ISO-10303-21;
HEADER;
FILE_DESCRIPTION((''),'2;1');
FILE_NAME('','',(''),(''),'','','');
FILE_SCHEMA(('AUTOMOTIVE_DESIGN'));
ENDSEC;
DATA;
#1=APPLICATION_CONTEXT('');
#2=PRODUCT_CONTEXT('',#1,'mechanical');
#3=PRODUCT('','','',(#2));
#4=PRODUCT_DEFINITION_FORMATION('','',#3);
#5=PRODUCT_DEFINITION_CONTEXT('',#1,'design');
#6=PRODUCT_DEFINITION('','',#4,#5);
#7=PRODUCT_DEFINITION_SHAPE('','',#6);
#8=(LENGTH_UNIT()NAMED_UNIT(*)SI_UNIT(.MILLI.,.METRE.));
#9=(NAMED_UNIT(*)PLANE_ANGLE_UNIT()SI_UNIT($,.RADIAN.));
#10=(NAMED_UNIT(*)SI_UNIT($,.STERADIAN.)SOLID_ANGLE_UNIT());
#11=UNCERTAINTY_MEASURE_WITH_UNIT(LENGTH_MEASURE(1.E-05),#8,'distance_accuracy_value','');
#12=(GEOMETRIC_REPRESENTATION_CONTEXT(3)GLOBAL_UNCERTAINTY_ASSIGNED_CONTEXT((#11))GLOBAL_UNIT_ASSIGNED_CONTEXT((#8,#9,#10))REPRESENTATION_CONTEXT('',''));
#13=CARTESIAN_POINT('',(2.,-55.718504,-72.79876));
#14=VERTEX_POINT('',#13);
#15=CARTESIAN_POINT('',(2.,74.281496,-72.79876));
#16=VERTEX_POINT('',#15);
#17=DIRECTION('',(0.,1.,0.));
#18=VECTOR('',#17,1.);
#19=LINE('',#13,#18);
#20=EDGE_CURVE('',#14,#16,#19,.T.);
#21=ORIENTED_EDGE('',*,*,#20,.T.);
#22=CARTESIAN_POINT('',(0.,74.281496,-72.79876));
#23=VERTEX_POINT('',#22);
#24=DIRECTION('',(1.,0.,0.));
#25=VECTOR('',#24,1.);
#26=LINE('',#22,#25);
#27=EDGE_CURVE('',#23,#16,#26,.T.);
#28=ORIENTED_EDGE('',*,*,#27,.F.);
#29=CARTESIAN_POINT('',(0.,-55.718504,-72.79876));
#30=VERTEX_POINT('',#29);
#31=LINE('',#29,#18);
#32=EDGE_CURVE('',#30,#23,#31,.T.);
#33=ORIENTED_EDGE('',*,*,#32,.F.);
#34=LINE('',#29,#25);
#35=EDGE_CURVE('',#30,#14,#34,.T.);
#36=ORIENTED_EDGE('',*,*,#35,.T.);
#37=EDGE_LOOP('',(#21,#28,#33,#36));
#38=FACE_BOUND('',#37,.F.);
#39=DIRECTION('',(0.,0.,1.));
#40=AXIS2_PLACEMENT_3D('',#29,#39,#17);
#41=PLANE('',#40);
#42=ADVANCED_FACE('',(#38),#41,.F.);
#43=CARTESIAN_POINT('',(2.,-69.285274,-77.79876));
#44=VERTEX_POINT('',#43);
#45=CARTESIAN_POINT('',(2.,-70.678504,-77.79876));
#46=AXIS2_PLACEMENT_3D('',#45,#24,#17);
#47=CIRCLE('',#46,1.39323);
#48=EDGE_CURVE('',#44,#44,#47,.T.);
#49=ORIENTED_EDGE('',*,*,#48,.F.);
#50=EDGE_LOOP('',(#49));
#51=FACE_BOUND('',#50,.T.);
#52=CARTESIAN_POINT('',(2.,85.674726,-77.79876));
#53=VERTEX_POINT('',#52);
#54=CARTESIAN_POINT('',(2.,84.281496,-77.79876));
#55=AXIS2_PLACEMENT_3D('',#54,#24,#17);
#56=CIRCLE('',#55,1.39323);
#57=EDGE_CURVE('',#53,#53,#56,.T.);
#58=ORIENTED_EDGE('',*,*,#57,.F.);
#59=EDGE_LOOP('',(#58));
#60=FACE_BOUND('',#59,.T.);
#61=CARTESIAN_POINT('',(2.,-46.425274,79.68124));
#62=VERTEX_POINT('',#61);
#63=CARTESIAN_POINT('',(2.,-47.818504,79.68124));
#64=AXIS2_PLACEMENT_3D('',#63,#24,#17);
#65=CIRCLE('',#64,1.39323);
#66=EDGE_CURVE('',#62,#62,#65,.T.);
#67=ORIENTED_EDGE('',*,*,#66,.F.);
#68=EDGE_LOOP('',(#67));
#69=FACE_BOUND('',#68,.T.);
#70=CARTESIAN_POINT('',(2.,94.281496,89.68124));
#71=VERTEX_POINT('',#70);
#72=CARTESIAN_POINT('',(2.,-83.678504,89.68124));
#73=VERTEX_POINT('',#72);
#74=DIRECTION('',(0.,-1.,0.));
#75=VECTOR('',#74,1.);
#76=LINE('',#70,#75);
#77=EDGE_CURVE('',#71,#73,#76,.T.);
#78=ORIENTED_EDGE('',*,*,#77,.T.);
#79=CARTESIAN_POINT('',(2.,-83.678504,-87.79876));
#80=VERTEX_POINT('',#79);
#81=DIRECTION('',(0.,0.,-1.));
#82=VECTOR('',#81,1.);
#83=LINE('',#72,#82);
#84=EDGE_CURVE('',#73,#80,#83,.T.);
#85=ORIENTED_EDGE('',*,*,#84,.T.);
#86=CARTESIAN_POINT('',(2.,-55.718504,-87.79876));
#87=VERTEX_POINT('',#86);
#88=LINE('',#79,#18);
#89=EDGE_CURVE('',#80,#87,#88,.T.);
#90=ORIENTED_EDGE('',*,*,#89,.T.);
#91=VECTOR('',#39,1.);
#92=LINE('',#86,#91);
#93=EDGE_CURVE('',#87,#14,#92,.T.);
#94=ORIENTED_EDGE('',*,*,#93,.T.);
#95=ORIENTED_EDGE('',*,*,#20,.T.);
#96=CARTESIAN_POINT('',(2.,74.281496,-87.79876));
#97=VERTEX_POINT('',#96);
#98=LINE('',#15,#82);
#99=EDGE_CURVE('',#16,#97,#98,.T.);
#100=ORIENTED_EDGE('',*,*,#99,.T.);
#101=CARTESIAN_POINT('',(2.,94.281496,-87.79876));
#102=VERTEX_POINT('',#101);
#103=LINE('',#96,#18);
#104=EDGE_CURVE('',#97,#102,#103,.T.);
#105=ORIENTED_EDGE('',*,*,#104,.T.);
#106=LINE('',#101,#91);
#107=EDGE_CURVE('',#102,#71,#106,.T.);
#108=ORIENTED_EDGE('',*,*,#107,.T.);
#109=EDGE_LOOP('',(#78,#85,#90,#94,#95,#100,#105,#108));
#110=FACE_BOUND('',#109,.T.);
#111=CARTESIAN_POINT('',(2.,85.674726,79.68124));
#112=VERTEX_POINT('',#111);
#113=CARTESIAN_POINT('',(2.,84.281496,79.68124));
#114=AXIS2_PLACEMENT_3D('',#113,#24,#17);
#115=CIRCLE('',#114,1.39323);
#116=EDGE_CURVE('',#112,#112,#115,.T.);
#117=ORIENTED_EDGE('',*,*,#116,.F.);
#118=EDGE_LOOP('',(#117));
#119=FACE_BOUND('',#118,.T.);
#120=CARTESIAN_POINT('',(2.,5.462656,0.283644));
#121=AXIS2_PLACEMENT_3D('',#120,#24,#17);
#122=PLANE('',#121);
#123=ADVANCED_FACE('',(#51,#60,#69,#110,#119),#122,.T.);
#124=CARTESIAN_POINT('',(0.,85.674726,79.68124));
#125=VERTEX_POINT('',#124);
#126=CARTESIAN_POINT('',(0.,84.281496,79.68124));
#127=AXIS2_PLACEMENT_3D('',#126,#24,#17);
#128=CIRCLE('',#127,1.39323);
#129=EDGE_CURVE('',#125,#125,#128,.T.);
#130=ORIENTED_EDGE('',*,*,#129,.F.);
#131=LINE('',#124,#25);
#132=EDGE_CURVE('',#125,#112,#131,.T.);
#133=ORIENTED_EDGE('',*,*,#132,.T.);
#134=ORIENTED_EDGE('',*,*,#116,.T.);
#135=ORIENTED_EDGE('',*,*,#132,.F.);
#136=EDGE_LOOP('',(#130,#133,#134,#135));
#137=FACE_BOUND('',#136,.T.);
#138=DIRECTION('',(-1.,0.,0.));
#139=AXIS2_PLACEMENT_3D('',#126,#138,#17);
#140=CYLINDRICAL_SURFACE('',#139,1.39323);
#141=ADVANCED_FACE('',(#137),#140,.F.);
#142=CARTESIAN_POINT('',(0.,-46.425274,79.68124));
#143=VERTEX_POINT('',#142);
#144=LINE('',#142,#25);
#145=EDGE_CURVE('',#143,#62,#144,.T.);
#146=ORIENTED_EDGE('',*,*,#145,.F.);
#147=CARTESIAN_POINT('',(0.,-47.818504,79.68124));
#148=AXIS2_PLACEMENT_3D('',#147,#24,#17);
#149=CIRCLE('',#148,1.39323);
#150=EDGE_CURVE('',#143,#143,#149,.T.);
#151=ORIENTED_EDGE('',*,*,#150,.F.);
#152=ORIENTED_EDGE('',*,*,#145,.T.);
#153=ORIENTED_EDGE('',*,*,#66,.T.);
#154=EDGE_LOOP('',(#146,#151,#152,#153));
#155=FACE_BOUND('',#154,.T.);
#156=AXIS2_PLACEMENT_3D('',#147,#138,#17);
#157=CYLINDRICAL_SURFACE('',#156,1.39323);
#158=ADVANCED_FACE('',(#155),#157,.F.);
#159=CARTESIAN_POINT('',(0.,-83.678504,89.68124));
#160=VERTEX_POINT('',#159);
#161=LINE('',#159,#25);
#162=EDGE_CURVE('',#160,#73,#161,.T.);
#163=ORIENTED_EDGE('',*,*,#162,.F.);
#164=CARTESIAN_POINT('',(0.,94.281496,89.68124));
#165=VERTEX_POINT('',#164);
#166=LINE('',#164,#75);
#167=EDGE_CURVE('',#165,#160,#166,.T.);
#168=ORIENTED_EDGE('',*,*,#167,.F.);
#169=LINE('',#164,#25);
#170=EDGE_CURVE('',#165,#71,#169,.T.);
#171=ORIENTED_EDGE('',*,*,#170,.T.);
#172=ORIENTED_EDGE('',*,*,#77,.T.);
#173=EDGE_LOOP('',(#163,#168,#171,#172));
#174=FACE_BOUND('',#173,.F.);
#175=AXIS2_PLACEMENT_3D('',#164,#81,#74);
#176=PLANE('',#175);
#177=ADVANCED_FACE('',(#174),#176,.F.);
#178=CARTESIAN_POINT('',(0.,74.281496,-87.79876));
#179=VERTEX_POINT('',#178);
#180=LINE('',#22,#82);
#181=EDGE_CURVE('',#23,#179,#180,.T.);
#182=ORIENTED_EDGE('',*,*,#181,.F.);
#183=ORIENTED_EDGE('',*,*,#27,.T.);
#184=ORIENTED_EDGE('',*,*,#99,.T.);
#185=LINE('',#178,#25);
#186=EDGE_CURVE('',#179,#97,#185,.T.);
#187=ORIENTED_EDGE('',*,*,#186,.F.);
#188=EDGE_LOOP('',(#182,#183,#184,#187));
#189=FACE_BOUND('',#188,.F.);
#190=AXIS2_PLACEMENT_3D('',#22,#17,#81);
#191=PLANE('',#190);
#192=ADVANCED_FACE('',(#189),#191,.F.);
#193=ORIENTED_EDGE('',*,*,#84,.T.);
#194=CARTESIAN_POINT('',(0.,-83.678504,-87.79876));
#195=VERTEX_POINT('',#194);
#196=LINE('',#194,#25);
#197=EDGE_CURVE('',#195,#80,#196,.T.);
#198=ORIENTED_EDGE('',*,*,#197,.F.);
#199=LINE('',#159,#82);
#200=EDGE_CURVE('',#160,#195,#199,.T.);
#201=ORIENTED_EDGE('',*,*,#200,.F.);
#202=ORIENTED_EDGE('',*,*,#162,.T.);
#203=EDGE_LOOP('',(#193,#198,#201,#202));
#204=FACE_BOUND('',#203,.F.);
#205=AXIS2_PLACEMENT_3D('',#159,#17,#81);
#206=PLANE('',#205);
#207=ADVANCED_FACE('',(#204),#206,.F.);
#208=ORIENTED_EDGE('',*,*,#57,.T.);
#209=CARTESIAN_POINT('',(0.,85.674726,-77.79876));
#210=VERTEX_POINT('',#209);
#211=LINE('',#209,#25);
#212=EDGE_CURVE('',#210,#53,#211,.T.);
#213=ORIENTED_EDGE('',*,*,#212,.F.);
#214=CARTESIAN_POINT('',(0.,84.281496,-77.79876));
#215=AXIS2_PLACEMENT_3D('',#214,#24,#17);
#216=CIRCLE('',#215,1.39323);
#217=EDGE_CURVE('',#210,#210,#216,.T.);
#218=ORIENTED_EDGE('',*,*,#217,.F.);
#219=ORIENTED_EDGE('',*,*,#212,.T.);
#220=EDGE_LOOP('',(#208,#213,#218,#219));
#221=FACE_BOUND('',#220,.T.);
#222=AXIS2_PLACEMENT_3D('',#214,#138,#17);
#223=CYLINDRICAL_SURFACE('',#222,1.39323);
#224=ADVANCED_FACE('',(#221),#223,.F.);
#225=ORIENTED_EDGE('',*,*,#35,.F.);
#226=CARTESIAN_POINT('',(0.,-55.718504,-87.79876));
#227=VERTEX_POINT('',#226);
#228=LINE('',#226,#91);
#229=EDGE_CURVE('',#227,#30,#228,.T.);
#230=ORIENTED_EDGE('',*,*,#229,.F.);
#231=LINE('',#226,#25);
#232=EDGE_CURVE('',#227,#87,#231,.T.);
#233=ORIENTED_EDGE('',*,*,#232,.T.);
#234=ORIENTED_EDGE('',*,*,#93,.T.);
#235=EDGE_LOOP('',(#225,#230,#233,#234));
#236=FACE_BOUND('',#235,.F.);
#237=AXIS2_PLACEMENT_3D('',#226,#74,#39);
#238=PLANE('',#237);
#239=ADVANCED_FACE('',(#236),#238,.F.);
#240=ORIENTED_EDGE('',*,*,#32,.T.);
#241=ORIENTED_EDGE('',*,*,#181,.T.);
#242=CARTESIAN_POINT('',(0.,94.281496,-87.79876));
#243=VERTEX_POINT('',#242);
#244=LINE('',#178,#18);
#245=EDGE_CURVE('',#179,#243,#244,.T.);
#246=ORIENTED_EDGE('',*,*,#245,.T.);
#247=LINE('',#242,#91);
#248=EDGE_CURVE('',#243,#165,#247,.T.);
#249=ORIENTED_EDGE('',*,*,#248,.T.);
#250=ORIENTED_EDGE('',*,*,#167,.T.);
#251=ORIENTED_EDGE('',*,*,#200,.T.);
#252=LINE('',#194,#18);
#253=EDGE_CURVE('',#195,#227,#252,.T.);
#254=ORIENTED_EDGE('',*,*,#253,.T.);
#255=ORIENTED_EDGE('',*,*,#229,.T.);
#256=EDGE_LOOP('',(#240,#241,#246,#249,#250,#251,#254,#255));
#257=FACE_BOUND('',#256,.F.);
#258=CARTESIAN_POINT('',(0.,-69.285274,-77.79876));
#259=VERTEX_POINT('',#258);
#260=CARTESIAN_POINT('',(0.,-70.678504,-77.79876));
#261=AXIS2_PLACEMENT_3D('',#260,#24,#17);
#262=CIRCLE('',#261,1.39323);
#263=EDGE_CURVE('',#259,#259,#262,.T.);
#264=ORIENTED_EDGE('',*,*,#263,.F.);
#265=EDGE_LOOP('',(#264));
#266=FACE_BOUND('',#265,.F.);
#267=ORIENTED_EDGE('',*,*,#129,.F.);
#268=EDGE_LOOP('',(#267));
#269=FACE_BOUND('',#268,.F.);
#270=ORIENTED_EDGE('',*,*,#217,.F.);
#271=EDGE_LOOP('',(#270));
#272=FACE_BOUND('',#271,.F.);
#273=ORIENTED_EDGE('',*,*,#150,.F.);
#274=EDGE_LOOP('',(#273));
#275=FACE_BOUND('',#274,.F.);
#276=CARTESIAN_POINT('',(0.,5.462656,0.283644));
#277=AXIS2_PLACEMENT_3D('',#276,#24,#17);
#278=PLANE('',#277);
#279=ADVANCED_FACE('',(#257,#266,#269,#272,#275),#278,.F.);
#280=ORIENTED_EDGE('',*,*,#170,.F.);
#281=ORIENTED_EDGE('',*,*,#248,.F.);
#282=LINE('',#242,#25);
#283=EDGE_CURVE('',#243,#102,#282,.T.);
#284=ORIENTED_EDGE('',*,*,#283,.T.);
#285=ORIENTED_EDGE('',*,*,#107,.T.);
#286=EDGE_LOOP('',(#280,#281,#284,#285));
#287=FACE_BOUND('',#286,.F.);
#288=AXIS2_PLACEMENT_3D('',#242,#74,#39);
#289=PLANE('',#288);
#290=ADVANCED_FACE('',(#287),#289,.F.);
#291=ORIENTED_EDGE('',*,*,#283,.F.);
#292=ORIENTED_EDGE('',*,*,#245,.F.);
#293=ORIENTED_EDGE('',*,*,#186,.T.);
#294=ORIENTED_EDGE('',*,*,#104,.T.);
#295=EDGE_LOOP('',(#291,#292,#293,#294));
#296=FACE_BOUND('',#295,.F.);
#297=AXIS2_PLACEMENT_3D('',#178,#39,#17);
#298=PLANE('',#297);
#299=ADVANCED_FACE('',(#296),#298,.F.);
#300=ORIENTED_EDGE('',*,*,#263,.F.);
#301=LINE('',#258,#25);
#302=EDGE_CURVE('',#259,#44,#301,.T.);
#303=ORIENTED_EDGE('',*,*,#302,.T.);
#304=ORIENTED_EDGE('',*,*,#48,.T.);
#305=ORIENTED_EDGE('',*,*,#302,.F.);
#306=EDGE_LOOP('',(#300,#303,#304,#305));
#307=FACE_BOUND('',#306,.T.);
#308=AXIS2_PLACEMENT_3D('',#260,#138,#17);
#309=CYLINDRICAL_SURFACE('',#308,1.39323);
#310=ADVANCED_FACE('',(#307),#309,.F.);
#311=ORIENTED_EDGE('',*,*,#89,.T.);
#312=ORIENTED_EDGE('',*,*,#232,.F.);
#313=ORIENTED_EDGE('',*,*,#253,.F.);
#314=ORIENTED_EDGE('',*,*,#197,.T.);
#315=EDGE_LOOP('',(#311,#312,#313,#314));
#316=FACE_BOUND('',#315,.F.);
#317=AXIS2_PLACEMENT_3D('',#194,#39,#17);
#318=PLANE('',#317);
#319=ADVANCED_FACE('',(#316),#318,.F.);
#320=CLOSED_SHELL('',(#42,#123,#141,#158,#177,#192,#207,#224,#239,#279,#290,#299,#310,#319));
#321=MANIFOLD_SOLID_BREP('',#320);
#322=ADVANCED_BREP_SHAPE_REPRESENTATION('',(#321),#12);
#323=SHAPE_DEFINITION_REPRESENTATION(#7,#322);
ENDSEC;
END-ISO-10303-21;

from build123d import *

# Parameters (mm, degrees)
F0_R     = 1.39323
F1_DEPTH = 2


with BuildPart() as f1:
    # F0 (on Right) → F1 (new body)
    with BuildSketch(Plane.YZ):
        Polygon((94.281496, 89.68124), (-83.678504, 89.68124), (-83.678504, -87.79876), (-55.718504, -87.79876), (-55.718504, -72.79876), (74.281496, -72.79876), (74.281496, -87.79876), (94.281496, -87.79876), align=None)
        with Locations((-70.678504, -77.79876)):
            Circle(F0_R, mode=Mode.SUBTRACT)
        with Locations((84.281496, -77.79876)):
            Circle(F0_R, mode=Mode.SUBTRACT)
        with Locations((-47.818504, 79.68124)):
            Circle(F0_R, mode=Mode.SUBTRACT)
        with Locations((84.281496, 79.68124)):
            Circle(F0_R, mode=Mode.SUBTRACT)
    extrude(amount=F1_DEPTH)


solid = f1.part
